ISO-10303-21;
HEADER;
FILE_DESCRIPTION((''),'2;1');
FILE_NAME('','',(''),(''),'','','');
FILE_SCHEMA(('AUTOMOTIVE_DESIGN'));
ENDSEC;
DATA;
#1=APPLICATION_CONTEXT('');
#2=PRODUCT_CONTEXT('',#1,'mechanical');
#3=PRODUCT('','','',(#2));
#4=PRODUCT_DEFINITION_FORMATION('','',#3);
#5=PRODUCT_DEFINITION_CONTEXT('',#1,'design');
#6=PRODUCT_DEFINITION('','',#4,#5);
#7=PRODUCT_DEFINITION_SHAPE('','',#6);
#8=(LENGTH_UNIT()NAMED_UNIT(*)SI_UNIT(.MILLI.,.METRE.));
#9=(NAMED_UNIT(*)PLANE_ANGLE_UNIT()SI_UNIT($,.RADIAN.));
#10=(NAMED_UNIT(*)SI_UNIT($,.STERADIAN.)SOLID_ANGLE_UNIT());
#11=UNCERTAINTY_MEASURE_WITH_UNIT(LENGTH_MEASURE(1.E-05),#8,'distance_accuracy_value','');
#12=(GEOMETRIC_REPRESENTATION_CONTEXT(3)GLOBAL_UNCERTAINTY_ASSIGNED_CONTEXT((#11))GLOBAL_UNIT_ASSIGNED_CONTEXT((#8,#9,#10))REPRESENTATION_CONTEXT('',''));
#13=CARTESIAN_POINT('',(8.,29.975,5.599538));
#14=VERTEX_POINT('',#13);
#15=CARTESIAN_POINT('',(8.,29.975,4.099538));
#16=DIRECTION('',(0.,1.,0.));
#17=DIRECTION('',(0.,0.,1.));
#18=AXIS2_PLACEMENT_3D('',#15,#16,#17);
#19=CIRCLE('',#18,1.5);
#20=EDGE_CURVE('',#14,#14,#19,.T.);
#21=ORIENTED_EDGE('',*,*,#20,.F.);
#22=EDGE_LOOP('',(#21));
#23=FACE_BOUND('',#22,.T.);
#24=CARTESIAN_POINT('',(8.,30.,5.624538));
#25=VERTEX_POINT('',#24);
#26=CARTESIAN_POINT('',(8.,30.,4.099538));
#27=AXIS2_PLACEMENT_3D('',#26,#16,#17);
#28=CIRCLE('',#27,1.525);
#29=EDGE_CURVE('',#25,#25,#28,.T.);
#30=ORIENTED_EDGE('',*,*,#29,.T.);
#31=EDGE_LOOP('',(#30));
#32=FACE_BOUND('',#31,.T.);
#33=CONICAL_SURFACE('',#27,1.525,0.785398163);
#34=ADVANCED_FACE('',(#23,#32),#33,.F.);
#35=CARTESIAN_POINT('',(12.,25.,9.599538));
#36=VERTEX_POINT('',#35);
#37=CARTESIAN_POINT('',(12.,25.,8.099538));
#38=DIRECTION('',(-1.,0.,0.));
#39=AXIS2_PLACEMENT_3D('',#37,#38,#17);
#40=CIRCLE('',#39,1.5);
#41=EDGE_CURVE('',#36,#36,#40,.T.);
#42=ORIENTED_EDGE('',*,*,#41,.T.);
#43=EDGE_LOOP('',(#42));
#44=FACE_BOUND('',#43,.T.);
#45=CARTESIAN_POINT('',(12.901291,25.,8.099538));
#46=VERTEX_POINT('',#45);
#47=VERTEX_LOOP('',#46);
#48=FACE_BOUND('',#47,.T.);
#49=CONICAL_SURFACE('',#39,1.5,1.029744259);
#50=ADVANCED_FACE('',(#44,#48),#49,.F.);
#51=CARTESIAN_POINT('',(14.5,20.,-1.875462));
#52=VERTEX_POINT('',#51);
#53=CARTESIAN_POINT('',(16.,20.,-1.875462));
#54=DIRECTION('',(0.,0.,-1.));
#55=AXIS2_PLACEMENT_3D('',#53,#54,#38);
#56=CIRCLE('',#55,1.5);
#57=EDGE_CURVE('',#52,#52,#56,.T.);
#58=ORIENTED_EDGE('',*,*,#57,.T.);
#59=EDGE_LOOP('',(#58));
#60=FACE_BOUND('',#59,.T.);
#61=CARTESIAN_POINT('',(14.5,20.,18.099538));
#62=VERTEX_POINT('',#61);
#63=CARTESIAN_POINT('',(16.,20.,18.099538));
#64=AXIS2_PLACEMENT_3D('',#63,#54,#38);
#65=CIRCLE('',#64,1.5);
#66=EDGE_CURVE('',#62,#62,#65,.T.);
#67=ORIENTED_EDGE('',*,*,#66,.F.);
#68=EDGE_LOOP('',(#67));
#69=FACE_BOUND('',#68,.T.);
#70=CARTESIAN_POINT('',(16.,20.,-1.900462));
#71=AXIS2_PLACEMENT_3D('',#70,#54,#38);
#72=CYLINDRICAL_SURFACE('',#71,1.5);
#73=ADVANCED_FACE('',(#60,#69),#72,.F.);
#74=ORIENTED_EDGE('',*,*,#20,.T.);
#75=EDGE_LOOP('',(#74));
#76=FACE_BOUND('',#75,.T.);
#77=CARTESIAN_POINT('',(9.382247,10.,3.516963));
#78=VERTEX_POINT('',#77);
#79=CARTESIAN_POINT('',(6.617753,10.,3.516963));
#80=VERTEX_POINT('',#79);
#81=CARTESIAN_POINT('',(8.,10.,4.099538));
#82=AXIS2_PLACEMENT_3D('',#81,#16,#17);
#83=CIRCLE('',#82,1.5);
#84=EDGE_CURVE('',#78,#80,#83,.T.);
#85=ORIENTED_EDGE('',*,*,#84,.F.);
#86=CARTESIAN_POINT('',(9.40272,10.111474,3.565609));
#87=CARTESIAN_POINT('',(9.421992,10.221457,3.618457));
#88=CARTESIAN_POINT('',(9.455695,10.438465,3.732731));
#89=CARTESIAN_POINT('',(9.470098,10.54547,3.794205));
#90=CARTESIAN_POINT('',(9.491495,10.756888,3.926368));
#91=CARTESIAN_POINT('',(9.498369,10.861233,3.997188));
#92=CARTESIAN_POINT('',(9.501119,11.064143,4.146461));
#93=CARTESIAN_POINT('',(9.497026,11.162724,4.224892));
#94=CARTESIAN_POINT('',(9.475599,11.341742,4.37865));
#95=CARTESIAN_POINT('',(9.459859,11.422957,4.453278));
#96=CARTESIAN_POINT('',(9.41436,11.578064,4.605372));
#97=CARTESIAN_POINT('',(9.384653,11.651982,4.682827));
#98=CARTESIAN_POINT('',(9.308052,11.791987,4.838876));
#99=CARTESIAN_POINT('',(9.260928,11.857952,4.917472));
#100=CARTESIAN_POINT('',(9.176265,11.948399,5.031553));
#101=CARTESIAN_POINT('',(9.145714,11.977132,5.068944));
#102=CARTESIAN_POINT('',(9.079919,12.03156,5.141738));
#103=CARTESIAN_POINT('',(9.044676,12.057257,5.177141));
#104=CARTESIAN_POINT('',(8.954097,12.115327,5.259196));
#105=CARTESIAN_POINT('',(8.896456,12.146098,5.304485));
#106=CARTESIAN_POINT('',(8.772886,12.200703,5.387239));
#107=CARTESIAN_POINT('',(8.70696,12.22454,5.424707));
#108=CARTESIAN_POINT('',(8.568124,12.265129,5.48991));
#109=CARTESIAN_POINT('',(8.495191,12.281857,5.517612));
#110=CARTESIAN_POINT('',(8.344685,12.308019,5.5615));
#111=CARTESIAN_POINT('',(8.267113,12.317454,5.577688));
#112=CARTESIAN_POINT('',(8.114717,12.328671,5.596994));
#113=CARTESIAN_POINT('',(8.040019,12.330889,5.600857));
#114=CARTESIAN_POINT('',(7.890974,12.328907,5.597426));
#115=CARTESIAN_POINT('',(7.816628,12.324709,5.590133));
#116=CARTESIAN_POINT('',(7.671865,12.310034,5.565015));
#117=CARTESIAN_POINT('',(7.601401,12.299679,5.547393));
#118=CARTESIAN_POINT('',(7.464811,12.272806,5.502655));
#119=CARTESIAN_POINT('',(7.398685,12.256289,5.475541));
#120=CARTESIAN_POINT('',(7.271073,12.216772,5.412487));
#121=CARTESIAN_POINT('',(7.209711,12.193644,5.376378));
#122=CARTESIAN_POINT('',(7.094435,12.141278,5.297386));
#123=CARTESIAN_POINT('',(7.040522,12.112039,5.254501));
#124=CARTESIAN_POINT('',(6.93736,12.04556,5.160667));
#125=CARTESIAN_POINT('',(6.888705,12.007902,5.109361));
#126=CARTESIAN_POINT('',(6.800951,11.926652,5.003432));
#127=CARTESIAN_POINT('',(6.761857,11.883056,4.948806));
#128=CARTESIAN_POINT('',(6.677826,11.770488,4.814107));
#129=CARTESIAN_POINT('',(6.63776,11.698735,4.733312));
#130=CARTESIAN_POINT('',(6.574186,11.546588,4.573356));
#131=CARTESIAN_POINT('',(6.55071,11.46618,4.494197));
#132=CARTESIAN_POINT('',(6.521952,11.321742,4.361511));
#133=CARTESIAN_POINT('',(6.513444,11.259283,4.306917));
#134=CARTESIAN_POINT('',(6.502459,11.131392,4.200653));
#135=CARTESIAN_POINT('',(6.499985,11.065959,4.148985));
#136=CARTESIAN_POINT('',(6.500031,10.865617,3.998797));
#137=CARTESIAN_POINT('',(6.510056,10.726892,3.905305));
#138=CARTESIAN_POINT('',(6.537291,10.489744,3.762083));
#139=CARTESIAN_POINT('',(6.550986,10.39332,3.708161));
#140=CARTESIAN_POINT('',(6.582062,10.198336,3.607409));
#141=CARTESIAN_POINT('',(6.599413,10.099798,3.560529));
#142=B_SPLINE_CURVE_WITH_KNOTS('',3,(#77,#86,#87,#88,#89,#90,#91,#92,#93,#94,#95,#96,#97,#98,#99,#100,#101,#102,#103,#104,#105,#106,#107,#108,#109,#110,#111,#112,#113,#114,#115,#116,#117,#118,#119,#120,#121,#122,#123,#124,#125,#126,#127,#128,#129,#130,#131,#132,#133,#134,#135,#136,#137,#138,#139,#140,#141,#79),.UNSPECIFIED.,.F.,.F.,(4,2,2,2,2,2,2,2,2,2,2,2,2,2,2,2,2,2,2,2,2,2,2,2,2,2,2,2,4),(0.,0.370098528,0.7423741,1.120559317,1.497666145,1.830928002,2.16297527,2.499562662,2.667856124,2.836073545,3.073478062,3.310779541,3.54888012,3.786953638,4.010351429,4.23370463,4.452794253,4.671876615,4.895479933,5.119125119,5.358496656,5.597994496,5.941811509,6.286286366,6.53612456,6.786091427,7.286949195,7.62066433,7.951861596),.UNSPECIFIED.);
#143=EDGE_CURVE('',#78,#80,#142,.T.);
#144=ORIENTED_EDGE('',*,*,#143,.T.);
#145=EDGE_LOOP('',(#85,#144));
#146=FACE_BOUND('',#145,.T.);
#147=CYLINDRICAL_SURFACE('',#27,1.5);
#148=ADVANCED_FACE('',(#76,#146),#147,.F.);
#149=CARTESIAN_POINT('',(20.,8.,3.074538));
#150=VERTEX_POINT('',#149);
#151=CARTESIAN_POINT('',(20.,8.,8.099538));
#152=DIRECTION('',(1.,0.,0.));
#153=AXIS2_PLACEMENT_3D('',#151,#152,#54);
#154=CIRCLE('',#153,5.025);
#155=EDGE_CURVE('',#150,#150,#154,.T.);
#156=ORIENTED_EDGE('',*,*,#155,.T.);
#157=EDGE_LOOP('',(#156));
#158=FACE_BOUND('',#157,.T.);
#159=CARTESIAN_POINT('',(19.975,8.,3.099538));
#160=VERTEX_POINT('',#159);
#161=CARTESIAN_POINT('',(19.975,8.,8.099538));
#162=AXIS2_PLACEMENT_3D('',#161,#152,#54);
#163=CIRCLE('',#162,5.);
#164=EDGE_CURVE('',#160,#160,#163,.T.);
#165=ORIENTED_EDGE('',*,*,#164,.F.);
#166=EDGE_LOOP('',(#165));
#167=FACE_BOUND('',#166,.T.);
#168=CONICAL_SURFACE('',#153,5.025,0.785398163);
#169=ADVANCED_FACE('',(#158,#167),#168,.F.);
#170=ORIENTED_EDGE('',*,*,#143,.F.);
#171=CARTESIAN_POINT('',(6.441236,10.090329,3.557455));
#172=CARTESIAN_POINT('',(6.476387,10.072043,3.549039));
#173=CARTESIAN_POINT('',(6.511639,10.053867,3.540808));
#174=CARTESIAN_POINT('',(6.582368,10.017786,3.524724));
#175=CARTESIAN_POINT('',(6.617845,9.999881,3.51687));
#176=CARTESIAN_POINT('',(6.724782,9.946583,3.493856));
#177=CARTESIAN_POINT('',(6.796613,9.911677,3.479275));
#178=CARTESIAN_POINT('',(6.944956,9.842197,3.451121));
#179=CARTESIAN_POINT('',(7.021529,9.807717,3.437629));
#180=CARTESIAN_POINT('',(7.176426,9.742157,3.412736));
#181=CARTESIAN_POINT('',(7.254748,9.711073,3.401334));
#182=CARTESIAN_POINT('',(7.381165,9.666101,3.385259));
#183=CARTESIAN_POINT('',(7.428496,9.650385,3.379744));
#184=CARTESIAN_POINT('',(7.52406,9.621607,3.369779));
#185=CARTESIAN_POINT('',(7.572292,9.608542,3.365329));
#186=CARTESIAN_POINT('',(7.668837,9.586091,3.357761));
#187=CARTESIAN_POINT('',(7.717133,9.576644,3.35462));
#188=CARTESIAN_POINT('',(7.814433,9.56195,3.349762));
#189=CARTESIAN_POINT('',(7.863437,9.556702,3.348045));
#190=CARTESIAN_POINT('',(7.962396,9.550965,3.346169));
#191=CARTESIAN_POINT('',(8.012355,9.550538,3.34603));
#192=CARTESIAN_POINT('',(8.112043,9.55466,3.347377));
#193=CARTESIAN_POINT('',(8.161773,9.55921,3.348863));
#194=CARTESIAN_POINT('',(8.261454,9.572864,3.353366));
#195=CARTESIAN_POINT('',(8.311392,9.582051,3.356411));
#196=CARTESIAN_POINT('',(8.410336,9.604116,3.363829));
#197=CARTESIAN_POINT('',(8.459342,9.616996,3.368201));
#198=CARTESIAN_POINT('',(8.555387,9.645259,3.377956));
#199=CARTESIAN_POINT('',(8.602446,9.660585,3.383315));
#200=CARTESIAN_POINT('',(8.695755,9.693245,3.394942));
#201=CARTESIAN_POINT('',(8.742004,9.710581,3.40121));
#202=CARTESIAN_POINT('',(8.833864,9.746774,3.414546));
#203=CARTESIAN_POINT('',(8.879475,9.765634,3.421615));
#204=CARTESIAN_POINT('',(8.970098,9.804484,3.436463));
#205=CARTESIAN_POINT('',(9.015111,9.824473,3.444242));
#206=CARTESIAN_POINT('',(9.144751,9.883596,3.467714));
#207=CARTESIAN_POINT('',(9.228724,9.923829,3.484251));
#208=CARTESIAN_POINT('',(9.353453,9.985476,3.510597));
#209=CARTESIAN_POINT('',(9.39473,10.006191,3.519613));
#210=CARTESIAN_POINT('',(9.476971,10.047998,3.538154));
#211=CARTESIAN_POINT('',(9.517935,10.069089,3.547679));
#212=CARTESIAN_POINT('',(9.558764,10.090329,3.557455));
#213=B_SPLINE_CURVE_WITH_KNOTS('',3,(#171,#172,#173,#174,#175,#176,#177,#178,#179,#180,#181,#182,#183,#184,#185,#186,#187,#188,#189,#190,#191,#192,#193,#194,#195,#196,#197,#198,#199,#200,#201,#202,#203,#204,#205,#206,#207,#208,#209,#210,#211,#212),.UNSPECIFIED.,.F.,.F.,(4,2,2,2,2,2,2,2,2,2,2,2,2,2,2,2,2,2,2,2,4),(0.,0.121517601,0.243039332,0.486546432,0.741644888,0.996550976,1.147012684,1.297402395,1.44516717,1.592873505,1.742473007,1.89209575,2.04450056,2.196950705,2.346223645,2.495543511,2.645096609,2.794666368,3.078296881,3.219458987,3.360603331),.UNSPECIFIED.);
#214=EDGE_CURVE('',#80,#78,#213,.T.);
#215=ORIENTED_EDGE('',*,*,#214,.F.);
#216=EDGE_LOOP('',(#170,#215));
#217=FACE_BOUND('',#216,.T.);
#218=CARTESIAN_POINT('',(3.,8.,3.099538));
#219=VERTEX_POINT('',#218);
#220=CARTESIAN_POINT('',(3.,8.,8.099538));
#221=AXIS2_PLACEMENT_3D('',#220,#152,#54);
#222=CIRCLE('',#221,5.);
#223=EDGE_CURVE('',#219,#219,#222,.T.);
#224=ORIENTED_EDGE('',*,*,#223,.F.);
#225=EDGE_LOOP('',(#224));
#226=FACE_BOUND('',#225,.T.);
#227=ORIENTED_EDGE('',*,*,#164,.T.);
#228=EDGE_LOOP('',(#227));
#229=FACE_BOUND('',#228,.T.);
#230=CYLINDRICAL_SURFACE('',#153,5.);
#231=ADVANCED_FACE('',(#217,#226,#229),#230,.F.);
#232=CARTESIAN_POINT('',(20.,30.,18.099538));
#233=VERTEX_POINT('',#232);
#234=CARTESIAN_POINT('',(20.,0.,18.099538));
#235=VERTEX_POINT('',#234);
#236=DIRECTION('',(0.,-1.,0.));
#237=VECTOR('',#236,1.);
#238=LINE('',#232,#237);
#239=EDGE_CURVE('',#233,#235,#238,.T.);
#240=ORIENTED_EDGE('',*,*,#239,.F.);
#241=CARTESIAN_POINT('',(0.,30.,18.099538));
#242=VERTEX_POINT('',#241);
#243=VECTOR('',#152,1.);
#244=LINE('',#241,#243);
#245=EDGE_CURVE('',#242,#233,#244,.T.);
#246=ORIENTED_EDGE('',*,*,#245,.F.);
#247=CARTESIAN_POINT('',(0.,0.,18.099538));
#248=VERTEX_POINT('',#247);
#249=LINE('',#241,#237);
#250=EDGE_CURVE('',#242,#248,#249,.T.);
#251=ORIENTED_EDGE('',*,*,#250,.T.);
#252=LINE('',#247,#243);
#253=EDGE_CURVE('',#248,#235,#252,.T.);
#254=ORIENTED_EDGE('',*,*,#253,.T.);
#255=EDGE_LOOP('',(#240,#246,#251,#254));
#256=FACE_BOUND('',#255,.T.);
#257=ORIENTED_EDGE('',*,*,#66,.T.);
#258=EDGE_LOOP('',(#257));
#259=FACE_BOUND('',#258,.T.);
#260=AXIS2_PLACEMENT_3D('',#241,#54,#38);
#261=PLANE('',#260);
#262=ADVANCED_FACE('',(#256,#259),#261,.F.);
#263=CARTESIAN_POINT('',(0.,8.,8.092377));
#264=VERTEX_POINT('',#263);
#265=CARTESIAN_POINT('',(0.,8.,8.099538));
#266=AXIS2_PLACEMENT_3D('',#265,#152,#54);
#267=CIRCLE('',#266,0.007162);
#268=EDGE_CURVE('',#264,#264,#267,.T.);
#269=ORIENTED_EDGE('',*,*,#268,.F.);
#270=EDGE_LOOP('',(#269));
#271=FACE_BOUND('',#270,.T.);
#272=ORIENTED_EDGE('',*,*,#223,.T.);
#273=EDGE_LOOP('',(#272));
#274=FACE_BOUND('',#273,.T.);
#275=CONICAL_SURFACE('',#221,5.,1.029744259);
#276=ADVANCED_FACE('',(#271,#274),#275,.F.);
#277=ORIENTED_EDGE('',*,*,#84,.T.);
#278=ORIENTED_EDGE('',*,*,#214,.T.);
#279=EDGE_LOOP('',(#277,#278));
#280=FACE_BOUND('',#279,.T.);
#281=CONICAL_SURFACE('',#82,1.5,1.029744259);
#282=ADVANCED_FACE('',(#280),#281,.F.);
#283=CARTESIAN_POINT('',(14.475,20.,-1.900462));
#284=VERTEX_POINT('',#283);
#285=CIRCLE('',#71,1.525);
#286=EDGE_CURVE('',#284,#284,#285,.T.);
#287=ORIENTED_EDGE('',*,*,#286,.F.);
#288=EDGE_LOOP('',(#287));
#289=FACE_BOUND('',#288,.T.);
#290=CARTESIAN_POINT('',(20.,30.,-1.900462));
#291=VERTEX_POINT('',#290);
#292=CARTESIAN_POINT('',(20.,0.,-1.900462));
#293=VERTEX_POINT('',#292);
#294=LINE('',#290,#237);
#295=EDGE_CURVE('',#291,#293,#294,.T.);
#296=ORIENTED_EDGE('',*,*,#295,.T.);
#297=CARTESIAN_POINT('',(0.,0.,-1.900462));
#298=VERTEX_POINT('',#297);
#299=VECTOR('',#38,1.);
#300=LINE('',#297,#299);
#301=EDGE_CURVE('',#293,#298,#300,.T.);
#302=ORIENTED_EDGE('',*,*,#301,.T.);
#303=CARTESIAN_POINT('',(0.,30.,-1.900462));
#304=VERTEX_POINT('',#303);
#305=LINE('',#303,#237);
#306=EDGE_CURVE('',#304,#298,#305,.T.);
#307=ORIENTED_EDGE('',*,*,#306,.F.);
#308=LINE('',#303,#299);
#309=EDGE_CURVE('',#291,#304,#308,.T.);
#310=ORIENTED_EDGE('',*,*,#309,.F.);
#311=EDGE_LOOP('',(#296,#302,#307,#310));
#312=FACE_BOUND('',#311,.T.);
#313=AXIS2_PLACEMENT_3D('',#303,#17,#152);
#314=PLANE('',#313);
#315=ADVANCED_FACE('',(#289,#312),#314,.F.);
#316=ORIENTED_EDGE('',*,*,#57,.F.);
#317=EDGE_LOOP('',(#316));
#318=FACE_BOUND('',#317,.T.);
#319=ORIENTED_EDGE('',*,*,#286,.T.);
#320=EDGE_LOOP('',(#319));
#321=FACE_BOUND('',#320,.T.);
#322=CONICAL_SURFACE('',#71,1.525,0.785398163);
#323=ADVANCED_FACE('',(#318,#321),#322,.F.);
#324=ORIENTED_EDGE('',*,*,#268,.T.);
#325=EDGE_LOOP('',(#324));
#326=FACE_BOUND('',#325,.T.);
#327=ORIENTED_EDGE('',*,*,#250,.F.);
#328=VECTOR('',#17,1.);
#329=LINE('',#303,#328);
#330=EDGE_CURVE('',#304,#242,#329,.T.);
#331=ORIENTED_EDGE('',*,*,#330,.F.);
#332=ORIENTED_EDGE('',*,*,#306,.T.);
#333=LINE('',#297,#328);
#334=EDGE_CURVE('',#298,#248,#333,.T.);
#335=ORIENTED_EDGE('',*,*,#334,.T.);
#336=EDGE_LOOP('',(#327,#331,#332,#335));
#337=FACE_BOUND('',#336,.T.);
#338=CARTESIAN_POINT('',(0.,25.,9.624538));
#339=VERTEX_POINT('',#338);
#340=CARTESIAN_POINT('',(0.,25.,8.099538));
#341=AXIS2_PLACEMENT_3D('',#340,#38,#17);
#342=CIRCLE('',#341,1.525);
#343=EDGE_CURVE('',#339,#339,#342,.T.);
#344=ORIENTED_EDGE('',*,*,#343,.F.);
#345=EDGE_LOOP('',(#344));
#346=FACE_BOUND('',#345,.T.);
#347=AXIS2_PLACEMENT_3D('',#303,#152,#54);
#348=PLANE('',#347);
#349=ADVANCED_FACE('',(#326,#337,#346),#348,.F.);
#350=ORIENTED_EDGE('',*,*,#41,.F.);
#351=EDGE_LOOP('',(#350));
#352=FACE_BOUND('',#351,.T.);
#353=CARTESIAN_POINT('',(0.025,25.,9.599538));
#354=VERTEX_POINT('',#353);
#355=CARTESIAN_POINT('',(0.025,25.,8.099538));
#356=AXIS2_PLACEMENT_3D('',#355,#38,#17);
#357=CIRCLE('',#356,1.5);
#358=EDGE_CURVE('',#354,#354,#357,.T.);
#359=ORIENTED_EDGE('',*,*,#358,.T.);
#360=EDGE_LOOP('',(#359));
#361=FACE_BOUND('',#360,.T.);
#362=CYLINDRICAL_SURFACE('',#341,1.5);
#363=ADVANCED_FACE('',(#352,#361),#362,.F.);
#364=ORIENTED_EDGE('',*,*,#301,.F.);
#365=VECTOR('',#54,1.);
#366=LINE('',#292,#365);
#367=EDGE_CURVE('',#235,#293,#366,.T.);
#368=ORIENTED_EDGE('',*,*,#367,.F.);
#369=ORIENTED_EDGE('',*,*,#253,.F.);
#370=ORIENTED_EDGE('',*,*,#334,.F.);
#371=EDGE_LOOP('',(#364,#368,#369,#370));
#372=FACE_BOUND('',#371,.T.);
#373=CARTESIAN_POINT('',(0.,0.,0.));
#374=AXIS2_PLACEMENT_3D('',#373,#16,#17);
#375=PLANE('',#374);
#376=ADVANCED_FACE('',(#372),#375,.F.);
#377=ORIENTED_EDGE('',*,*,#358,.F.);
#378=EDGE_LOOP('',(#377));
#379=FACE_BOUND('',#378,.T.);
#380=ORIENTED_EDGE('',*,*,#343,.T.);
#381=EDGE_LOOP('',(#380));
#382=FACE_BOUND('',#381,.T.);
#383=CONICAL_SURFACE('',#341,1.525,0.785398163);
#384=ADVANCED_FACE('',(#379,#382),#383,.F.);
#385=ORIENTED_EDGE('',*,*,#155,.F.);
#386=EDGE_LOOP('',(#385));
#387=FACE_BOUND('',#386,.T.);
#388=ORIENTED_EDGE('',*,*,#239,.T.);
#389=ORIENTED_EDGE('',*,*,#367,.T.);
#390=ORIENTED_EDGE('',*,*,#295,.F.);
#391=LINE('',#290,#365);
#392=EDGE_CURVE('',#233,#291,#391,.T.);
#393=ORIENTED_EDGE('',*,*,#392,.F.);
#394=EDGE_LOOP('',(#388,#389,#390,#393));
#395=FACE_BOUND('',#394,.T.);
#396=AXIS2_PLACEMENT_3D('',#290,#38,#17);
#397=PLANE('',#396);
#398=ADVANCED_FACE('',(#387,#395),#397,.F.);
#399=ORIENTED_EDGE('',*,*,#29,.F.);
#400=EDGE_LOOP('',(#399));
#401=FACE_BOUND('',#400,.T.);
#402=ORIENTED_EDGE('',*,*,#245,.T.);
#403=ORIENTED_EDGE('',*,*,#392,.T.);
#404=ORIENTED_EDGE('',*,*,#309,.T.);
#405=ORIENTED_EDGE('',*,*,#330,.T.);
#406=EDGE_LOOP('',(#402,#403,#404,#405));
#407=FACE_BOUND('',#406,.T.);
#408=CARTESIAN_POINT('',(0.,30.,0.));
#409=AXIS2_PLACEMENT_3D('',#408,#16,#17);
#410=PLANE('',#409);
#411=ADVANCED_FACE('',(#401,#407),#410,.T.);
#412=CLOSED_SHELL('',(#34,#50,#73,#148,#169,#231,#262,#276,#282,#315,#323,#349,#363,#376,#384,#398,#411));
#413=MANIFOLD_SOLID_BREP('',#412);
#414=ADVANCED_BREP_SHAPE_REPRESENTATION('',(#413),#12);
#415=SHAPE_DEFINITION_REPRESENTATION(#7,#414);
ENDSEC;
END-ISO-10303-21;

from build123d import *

# Parameters (mm, degrees)
SKETCH1_W                        = 20
SKETCH1_H                        = 20
BOSS_EXTRUDE1_DEPTH              = 30
F_3_0MM_DOWEL_HOLE1_D            = 3
F_3_0MM_DOWEL_HOLE1_DEPTH        = 20
F_3_0MM_DOWEL_HOLE1_CSINK_D      = 3.05
F_3_0MM_DOWEL_HOLE1_CSINK_ANGLE  = 90
F_3_0MM_DOWEL_HOLE1_TIP          = 0.901290929
F_3_0MM_DOWEL_HOLE2_D            = 3
F_3_0MM_DOWEL_HOLE2_DEPTH        = 12
F_3_0MM_DOWEL_HOLE2_CSINK_D      = 3.05
F_3_0MM_DOWEL_HOLE2_CSINK_ANGLE  = 90
F_3_0MM_DOWEL_HOLE2_TIP          = 0.901290929
F_3_0MM_DOWEL_HOLE3_D            = 3
F_3_0MM_DOWEL_HOLE3_DEPTH        = 20
F_3_0MM_DOWEL_HOLE3_CSINK_D      = 3.05
F_3_0MM_DOWEL_HOLE3_CSINK_ANGLE  = 90
F_3_0MM_DOWEL_HOLE3_TIP          = 0.901290929
F_10_0MM_DOWEL_HOLE1_D           = 10
F_10_0MM_DOWEL_HOLE1_DEPTH       = 17
F_10_0MM_DOWEL_HOLE1_CSINK_D     = 10.05
F_10_0MM_DOWEL_HOLE1_CSINK_ANGLE = 90
F_10_0MM_DOWEL_HOLE1_TIP         = 3.004303095


with BuildPart() as part:
    # Sketch1 → Boss-Extrude1 (new body)
    with BuildSketch(Plane(origin=(0, 0, 0), x_dir=(1, 0, 0), z_dir=(0, 1, 0))):
        with Locations((10, -8.099538279)):
            Rectangle(SKETCH1_W, SKETCH1_H)
    extrude(amount=BOSS_EXTRUDE1_DEPTH)

    # Ø3.0mm Dowel Hole1
    with Locations(Plane(origin=(0, 0, -1.900461721), x_dir=(-1, 0, 0), z_dir=(0, 0, -1))):
        with Locations((-16, 20)):
            CounterSinkHole(F_3_0MM_DOWEL_HOLE1_D / 2, F_3_0MM_DOWEL_HOLE1_CSINK_D / 2, depth=F_3_0MM_DOWEL_HOLE1_DEPTH, counter_sink_angle=F_3_0MM_DOWEL_HOLE1_CSINK_ANGLE)
            with Locations((0, 0, -(F_3_0MM_DOWEL_HOLE1_DEPTH + F_3_0MM_DOWEL_HOLE1_TIP / 2))):  # 118° drill point
                Cone(0, F_3_0MM_DOWEL_HOLE1_D / 2, F_3_0MM_DOWEL_HOLE1_TIP, mode=Mode.SUBTRACT)

    # Ø3.0mm Dowel Hole2
    with Locations(Plane.ZY):
        with Locations((8.099538279, 25)):
            CounterSinkHole(F_3_0MM_DOWEL_HOLE2_D / 2, F_3_0MM_DOWEL_HOLE2_CSINK_D / 2, depth=F_3_0MM_DOWEL_HOLE2_DEPTH, counter_sink_angle=F_3_0MM_DOWEL_HOLE2_CSINK_ANGLE)
            with Locations((0, 0, -(F_3_0MM_DOWEL_HOLE2_DEPTH + F_3_0MM_DOWEL_HOLE2_TIP / 2))):  # 118° drill point
                Cone(0, F_3_0MM_DOWEL_HOLE2_D / 2, F_3_0MM_DOWEL_HOLE2_TIP, mode=Mode.SUBTRACT)

    # Ø3.0mm Dowel Hole3
    with Locations(Plane(origin=(0, 30, 0), x_dir=(1, 0, 0), z_dir=(0, 1, 0))):
        with Locations((8, -4.099538279)):
            CounterSinkHole(F_3_0MM_DOWEL_HOLE3_D / 2, F_3_0MM_DOWEL_HOLE3_CSINK_D / 2, depth=F_3_0MM_DOWEL_HOLE3_DEPTH, counter_sink_angle=F_3_0MM_DOWEL_HOLE3_CSINK_ANGLE)
            with Locations((0, 0, -(F_3_0MM_DOWEL_HOLE3_DEPTH + F_3_0MM_DOWEL_HOLE3_TIP / 2))):  # 118° drill point
                Cone(0, F_3_0MM_DOWEL_HOLE3_D / 2, F_3_0MM_DOWEL_HOLE3_TIP, mode=Mode.SUBTRACT)

    # Ø10.0mm Dowel Hole1
    with Locations(Plane(origin=(20, 0, 0), x_dir=(0, 0, -1), z_dir=(1, 0, 0))):
        with Locations((-8.099538279, 8)):
            CounterSinkHole(F_10_0MM_DOWEL_HOLE1_D / 2, F_10_0MM_DOWEL_HOLE1_CSINK_D / 2, depth=F_10_0MM_DOWEL_HOLE1_DEPTH, counter_sink_angle=F_10_0MM_DOWEL_HOLE1_CSINK_ANGLE)
            with Locations((0, 0, -(F_10_0MM_DOWEL_HOLE1_DEPTH + F_10_0MM_DOWEL_HOLE1_TIP / 2))):  # 118° drill point
                Cone(0, F_10_0MM_DOWEL_HOLE1_D / 2, F_10_0MM_DOWEL_HOLE1_TIP, mode=Mode.SUBTRACT)


solid = part.part
